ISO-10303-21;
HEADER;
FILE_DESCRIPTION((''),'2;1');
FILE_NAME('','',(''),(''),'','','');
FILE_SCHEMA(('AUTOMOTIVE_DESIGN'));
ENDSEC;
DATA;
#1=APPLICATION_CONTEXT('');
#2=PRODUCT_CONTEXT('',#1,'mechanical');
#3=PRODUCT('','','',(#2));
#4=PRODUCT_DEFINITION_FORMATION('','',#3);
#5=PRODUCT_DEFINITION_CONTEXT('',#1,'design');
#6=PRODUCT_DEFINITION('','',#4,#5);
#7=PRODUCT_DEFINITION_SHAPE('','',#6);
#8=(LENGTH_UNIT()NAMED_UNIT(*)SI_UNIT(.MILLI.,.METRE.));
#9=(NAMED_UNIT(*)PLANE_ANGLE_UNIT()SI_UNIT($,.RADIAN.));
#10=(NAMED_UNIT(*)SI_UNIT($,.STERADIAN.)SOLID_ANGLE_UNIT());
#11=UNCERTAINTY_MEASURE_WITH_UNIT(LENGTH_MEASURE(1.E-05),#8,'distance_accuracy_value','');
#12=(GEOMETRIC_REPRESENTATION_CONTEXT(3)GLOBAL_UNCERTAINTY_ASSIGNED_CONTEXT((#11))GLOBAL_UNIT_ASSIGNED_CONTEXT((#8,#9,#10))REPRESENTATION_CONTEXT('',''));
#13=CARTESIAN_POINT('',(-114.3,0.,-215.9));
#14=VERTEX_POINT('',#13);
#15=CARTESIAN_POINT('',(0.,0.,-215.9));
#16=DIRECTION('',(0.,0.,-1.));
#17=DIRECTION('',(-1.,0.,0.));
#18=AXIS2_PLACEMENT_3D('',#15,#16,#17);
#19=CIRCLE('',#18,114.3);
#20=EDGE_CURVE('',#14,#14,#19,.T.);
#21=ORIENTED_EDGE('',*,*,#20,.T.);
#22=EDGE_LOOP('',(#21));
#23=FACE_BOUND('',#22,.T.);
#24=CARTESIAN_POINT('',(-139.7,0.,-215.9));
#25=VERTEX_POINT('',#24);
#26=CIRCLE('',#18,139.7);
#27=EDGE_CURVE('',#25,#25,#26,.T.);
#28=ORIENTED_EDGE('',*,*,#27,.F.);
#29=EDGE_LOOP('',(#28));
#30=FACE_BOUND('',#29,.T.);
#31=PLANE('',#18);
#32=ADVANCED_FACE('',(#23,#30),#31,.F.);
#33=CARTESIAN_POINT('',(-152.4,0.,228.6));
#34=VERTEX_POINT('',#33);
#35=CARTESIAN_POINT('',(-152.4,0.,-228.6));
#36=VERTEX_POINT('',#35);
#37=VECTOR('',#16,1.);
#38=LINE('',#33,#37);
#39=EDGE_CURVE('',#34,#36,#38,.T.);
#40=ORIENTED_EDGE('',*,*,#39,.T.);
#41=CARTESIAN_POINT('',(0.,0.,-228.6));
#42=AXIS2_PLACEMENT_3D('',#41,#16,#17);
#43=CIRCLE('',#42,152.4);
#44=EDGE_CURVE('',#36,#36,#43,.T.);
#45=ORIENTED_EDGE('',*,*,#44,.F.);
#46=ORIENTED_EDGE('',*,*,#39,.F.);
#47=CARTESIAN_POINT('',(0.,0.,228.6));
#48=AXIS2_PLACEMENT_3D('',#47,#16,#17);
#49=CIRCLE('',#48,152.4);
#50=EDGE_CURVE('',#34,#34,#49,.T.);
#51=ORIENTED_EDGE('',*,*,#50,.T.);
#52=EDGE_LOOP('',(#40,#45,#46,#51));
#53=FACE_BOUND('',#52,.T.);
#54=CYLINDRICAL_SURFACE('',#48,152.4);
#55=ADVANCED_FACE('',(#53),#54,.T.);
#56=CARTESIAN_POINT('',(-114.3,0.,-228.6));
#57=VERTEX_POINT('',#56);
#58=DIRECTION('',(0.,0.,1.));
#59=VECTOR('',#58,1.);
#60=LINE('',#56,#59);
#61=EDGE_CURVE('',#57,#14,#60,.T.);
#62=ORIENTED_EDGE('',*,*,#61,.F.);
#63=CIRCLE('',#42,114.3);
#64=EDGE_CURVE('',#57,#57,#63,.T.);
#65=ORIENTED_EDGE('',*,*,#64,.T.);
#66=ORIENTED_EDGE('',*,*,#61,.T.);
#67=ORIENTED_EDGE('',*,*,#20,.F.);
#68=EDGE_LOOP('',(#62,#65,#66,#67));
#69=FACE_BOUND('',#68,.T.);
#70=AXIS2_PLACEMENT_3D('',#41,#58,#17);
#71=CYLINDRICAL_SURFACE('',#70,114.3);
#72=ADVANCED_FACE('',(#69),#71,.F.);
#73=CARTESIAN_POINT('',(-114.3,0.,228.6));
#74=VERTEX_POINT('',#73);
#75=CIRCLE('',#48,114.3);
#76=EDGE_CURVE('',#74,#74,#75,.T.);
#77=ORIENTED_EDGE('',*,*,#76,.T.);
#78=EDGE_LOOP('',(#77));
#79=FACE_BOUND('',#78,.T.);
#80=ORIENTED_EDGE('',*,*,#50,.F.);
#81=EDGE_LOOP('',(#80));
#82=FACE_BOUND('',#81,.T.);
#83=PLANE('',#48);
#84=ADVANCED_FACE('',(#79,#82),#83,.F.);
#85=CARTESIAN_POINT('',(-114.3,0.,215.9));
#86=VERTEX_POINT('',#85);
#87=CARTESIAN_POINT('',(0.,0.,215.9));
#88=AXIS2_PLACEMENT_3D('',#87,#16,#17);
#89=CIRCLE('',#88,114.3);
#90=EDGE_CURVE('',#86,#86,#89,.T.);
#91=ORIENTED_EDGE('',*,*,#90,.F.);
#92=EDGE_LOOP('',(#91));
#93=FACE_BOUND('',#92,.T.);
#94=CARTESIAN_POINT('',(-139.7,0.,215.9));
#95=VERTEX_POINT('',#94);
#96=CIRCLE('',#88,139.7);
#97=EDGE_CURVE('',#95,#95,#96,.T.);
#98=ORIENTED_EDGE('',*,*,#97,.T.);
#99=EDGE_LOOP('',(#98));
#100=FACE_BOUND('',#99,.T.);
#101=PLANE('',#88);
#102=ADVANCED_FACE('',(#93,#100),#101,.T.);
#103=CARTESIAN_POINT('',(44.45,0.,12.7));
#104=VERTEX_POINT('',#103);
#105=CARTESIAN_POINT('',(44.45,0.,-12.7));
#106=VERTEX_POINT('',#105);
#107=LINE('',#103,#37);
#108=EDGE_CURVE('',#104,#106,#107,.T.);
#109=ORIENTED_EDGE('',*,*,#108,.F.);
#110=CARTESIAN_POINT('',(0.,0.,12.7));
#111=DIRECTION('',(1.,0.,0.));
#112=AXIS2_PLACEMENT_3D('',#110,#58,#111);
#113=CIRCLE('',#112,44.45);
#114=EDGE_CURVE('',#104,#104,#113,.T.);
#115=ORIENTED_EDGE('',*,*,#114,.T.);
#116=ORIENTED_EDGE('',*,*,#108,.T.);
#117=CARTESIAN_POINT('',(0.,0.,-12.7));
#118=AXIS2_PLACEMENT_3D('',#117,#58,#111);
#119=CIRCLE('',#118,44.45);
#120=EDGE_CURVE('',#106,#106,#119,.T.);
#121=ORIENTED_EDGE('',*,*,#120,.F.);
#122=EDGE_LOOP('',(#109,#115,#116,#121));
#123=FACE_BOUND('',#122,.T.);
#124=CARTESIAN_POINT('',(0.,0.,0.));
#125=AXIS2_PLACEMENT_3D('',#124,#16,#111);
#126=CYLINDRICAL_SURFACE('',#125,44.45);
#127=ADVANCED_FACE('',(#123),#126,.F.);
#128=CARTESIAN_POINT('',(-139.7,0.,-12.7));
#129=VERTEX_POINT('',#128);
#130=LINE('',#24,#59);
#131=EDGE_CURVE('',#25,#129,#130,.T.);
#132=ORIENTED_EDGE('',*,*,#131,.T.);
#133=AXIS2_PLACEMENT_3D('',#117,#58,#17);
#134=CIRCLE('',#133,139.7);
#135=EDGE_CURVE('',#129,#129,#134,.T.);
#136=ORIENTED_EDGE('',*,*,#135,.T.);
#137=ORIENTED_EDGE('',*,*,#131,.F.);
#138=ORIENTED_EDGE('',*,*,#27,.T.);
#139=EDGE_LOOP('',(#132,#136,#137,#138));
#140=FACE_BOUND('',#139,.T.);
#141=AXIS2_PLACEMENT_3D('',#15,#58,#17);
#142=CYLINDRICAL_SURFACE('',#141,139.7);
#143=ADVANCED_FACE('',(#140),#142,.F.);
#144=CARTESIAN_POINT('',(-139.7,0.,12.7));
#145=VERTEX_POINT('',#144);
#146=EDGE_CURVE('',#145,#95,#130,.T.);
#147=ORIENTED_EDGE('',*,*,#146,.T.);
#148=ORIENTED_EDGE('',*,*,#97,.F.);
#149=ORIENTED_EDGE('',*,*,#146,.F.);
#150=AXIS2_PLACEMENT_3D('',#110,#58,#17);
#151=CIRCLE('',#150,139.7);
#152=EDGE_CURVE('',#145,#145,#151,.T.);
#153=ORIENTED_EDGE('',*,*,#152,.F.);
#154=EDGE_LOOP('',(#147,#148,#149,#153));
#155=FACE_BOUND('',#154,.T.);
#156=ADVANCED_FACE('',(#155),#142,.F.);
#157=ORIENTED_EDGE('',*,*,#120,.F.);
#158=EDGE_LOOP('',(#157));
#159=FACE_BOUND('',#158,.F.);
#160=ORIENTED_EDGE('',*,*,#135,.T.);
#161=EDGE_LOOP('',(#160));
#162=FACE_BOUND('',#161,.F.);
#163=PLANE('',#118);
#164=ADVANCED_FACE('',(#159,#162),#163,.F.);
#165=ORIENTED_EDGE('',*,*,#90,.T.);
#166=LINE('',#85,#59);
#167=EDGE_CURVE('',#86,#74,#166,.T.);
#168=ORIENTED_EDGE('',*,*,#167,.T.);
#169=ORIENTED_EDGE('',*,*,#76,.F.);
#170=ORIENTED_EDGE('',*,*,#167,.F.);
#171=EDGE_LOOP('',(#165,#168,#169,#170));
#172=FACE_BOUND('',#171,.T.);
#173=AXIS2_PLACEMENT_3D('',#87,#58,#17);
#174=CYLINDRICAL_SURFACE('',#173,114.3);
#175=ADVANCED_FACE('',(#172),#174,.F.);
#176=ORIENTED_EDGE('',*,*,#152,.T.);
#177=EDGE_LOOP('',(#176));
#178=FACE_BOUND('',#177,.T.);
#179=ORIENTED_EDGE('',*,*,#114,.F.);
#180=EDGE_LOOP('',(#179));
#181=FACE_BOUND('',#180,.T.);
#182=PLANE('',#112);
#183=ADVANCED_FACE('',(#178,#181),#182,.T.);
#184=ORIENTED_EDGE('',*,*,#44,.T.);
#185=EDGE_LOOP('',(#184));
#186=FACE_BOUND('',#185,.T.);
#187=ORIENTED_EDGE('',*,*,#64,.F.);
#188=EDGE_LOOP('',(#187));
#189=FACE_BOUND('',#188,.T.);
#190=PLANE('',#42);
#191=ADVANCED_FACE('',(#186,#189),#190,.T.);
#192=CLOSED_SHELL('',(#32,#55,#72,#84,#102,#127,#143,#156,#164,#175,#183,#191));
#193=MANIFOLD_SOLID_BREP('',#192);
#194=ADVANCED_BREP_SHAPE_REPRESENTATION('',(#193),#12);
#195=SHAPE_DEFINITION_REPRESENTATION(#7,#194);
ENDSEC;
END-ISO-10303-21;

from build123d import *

# Parameters (mm, degrees)
F2_R     = 152.4
F2_R_2   = 44.45
F3_DEPTH = 6.35
F4_DEPTH = 12.7


with BuildPart() as f1:
    # F0 (on Front) → F1 (revolve)
    with BuildSketch(Plane.XZ):
        Polygon((-114.3, 215.9), (-114.3, 228.6), (-152.4, 228.6), (-152.4, -228.6), (-114.3, -228.6), (-114.3, -215.9), (-139.7, -215.9), (-139.7, 215.9), align=None)
    revolve(axis=Axis((0, 0, 0), (0, 0, -1)))

    # F2 (on Top) → F3 (join, symmetric)
    with BuildSketch(Plane.XY):
        Circle(F2_R)
        Circle(F2_R_2, mode=Mode.SUBTRACT)
    extrude(amount=F3_DEPTH, both=True)

    # F2 (on Top) → F4 (join, symmetric)
    with BuildSketch(Plane.XY):
        Circle(F2_R)
        Circle(F2_R_2, mode=Mode.SUBTRACT)
    extrude(amount=F4_DEPTH, both=True)


solid = f1.part
